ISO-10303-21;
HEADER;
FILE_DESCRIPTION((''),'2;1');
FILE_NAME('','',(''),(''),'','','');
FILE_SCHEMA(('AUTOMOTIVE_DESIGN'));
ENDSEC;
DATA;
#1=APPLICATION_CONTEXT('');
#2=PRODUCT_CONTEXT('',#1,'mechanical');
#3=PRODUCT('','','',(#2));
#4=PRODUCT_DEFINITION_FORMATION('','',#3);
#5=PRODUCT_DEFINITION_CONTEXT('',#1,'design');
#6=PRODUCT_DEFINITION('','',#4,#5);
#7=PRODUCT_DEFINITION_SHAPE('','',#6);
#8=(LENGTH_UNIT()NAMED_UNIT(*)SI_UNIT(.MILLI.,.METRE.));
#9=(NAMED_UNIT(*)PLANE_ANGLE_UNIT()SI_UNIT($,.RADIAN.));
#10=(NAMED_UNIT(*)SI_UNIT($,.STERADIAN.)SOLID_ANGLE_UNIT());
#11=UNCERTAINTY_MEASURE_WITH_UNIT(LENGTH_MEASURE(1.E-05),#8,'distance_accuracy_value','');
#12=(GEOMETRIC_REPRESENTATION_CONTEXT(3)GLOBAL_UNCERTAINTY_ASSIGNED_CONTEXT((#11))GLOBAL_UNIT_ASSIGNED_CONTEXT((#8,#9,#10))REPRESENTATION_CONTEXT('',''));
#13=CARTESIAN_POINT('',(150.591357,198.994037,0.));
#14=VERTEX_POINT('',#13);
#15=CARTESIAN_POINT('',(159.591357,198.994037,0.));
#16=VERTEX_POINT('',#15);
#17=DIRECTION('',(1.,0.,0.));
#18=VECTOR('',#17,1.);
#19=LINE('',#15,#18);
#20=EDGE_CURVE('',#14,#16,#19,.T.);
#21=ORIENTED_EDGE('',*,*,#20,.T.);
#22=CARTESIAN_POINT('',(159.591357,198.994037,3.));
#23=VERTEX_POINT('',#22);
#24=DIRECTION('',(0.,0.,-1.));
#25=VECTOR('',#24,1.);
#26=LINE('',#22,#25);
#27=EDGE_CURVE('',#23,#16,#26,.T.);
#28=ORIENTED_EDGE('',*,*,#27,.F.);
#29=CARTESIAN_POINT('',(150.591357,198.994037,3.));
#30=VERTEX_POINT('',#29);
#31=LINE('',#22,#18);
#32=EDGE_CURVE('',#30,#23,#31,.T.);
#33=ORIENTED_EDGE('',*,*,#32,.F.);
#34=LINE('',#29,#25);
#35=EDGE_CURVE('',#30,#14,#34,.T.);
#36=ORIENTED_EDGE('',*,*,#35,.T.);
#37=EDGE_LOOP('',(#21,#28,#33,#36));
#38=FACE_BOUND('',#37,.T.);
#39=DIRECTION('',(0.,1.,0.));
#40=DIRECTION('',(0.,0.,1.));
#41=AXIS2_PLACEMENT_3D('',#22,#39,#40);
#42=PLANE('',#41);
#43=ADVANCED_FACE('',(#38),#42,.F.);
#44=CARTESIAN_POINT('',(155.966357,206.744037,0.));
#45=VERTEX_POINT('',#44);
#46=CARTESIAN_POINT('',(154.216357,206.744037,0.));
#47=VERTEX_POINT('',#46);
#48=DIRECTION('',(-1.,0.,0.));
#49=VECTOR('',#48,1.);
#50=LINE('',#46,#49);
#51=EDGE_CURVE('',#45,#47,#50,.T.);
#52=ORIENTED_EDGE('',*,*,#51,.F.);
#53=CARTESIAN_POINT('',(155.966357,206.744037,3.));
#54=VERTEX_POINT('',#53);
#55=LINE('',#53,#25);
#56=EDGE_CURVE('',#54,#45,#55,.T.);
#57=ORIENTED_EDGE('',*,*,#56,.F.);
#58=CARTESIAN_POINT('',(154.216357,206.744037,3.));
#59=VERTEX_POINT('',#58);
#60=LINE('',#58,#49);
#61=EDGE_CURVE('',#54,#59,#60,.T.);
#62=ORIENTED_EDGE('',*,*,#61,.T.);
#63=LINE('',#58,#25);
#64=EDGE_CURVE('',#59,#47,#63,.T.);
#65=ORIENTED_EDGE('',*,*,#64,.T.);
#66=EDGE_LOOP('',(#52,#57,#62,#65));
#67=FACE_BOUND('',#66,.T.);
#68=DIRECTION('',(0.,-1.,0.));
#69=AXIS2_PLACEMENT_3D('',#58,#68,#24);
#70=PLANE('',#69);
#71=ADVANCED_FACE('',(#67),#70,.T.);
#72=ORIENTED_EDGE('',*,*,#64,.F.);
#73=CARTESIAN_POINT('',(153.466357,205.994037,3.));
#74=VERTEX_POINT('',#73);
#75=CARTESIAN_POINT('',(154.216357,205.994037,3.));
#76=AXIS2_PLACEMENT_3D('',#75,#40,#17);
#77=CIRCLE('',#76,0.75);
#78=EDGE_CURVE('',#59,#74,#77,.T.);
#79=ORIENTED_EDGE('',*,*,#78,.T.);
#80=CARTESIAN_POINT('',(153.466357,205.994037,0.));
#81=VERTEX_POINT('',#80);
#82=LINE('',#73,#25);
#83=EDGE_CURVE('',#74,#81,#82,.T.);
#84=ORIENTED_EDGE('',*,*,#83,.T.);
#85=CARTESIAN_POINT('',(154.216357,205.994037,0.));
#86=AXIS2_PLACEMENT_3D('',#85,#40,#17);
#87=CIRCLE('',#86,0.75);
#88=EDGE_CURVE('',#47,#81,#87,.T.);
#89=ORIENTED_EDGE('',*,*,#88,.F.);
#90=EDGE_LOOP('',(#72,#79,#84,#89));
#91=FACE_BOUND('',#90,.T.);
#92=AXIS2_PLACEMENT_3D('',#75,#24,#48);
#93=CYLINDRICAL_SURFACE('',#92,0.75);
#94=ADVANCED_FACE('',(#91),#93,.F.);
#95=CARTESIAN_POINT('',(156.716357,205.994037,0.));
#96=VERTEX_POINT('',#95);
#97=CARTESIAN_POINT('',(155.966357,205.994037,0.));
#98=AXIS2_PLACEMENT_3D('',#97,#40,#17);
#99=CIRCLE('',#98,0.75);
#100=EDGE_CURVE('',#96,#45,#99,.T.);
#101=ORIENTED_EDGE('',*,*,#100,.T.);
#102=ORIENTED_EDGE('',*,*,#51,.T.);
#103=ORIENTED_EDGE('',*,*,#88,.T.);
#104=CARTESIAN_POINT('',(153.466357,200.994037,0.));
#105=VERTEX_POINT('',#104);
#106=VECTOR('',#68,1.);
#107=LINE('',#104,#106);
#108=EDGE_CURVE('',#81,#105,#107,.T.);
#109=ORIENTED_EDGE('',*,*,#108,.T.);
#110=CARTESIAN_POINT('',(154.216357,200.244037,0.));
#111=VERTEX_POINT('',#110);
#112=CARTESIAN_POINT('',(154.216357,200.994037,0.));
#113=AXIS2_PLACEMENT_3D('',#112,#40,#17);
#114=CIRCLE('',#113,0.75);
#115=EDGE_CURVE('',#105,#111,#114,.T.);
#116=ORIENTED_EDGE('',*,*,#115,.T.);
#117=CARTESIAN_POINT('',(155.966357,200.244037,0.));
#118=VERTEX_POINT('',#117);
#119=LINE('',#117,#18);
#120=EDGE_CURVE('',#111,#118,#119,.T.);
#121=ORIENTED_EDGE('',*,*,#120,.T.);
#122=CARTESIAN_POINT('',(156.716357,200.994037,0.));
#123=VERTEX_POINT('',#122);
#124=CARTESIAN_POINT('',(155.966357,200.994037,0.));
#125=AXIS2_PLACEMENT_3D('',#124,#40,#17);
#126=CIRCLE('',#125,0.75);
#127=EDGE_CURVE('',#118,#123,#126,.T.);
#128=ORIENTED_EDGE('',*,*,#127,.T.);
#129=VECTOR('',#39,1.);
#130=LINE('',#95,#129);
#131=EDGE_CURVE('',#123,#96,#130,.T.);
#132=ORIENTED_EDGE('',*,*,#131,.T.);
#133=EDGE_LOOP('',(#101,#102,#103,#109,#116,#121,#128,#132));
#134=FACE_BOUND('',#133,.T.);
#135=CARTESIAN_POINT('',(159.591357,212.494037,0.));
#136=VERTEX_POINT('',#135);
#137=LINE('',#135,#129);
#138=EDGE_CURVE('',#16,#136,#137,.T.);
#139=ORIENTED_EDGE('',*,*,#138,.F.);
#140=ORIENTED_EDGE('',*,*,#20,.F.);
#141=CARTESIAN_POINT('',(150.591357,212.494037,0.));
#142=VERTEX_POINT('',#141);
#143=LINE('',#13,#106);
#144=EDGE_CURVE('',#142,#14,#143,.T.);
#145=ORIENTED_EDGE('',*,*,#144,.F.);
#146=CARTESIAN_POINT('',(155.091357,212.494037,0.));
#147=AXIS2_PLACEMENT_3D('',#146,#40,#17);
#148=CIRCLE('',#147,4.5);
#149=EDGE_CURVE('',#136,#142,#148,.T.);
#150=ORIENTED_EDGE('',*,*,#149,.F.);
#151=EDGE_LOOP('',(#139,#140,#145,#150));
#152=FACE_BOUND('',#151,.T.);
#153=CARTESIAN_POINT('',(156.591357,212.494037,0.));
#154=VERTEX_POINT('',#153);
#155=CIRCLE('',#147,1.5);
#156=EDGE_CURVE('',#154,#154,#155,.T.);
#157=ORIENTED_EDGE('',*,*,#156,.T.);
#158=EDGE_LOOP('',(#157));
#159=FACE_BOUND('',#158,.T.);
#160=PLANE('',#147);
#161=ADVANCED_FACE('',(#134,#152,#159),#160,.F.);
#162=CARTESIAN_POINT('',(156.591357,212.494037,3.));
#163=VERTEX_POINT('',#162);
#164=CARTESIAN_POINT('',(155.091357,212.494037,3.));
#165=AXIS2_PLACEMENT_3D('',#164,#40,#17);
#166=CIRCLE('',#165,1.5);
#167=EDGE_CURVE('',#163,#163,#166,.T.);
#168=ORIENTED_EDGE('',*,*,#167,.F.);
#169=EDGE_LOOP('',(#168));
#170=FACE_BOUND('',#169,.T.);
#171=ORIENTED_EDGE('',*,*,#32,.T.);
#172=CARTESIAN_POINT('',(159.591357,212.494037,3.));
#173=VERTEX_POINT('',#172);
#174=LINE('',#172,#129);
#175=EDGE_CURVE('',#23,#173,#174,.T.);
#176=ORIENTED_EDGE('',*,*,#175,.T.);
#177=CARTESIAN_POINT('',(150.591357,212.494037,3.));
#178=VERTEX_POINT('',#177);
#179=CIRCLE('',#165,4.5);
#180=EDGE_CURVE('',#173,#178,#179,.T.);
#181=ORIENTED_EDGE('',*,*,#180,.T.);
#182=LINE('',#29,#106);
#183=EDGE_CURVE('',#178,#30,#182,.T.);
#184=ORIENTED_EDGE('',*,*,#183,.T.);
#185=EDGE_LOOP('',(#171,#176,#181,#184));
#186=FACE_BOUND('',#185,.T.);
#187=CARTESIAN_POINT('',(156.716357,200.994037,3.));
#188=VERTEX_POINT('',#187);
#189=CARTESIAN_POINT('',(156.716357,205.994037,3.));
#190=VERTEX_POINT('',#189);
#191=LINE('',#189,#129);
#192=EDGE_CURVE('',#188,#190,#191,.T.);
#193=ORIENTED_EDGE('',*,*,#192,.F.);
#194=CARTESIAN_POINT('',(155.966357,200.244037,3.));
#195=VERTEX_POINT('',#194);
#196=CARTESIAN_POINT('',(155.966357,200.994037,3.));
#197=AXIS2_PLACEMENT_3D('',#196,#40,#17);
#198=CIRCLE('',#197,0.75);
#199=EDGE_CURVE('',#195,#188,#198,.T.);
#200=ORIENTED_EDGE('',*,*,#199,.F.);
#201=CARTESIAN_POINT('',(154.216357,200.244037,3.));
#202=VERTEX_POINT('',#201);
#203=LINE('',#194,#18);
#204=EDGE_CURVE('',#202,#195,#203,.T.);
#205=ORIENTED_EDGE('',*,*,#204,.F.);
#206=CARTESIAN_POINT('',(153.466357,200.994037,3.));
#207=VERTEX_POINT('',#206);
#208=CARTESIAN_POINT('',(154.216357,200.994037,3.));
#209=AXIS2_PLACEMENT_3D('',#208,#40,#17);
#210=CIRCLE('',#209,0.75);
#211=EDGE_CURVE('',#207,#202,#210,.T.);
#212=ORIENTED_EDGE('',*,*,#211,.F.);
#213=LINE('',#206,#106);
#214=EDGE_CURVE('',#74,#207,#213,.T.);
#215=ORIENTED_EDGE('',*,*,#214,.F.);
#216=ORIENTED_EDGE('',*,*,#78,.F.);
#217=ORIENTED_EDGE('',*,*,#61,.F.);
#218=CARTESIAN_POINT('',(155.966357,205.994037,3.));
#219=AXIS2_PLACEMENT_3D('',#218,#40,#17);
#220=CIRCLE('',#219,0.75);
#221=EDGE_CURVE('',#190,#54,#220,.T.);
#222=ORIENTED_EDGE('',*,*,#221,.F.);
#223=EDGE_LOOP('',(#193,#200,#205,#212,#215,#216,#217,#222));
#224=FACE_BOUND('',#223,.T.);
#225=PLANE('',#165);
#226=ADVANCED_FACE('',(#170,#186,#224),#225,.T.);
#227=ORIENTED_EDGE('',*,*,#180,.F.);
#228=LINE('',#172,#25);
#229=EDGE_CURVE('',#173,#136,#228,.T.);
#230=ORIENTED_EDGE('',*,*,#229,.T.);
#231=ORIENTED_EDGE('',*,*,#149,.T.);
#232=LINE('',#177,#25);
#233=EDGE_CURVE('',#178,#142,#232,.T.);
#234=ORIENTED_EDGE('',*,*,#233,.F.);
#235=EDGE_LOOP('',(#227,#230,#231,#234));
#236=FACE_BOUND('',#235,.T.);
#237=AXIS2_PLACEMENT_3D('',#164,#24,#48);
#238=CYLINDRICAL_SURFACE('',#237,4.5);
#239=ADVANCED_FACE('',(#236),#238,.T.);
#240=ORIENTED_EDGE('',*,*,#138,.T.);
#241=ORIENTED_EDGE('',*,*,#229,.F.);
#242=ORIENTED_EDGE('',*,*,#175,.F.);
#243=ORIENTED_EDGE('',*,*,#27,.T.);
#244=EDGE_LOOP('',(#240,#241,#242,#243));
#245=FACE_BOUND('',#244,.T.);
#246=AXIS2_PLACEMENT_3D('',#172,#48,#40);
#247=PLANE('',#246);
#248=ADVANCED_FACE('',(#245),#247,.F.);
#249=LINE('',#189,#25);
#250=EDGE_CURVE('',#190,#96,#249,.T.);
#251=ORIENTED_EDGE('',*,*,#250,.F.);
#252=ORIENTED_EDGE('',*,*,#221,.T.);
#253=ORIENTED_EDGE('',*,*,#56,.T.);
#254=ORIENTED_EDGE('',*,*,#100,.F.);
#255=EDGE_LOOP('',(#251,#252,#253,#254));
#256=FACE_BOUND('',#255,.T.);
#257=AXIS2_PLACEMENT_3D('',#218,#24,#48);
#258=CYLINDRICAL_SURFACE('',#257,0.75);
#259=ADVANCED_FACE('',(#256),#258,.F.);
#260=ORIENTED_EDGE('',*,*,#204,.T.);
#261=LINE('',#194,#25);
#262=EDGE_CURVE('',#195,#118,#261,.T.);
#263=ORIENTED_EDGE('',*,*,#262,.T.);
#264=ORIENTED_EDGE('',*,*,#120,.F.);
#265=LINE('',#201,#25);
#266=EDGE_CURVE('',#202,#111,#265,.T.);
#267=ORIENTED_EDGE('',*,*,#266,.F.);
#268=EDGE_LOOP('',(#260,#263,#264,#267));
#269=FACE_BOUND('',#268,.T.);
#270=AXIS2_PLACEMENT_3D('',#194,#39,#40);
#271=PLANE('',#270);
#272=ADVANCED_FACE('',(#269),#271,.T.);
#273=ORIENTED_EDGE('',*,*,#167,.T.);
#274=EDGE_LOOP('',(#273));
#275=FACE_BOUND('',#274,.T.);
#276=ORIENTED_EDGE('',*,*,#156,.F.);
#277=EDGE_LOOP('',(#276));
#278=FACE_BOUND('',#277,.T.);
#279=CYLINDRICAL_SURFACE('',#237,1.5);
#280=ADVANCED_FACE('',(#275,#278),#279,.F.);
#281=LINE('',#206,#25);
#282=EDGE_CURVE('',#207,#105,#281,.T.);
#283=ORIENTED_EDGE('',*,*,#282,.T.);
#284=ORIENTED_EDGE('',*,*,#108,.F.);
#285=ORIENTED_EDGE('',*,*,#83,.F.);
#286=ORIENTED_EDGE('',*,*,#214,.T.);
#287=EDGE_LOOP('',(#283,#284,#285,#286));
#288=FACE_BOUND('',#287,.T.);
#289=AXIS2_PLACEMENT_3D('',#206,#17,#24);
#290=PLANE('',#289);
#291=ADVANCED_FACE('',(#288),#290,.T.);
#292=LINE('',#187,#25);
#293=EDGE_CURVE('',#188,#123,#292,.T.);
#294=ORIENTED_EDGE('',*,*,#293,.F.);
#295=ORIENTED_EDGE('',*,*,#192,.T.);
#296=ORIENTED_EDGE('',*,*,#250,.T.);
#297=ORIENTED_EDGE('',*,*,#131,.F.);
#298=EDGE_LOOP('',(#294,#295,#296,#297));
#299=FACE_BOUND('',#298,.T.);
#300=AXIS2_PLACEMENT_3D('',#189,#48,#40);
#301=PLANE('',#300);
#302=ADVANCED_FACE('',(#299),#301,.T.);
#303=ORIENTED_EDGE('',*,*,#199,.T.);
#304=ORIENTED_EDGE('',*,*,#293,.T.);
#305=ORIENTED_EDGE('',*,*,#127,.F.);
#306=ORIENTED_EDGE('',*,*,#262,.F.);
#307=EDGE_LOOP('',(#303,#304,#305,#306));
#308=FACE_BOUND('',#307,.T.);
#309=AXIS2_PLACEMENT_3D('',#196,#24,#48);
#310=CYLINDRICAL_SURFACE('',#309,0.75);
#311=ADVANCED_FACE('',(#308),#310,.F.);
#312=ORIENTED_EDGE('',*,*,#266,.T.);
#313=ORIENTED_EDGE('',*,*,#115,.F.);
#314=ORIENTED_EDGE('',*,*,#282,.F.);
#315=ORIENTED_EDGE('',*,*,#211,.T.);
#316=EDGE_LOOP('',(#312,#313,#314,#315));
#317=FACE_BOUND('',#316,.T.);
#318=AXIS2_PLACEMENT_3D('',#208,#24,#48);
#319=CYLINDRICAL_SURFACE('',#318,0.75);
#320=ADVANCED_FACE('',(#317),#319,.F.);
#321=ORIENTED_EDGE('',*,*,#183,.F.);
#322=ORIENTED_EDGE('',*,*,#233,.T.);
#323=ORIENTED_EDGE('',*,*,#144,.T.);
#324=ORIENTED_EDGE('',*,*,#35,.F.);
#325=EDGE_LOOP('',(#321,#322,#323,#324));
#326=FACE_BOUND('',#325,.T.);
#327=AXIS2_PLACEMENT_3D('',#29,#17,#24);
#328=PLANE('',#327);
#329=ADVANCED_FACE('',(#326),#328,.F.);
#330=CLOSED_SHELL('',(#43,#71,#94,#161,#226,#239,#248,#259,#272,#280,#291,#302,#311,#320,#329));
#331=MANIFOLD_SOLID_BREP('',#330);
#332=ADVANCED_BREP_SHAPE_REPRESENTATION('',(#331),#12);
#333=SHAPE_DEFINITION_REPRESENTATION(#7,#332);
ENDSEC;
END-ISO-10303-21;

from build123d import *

# Parameters (mm, degrees)
MODEL_R                 = 1.5
SALIENTE_EXTRUIR1_DEPTH = 3


with BuildPart() as part:
    # Model → Saliente-Extruir1 (new body)
    with BuildSketch(Plane.XY):
        with BuildLine():
            Line((159.591356547, 212.494036843), (159.591356547, 198.994036843))
            Line((159.591356547, 198.994036843), (150.591356547, 198.994036843))
            Line((150.591356547, 198.994036843), (150.591356547, 212.494036843))
            ThreePointArc((150.591356547, 212.494036843), (155.091356547, 216.994036843), (159.591356547, 212.494036843))
        make_face()
        with Locations((155.091356547, 212.494036843)):
            Circle(MODEL_R, mode=Mode.SUBTRACT)
        with BuildLine():
            Line((153.466356547, 200.994036843), (153.466356547, 205.994036843))
            ThreePointArc((153.466356547, 205.994036843), (153.686026462, 206.524366929), (154.216356547, 206.744036843))
            Line((154.216356547, 206.744036843), (155.966356547, 206.744036843))
            ThreePointArc((155.966356547, 206.744036843), (156.496686633, 206.524366929), (156.716356547, 205.994036843))
            Line((156.716356547, 205.994036843), (156.716356547, 200.994036843))
            ThreePointArc((156.716356547, 200.994036843), (156.496686633, 200.463706757), (155.966356547, 200.244036843))
            Line((155.966356547, 200.244036843), (154.216356547, 200.244036843))
            ThreePointArc((154.216356547, 200.244036843), (153.686026462, 200.463706757), (153.466356547, 200.994036843))
        make_face(mode=Mode.SUBTRACT)
    extrude(amount=SALIENTE_EXTRUIR1_DEPTH)


solid = part.part
